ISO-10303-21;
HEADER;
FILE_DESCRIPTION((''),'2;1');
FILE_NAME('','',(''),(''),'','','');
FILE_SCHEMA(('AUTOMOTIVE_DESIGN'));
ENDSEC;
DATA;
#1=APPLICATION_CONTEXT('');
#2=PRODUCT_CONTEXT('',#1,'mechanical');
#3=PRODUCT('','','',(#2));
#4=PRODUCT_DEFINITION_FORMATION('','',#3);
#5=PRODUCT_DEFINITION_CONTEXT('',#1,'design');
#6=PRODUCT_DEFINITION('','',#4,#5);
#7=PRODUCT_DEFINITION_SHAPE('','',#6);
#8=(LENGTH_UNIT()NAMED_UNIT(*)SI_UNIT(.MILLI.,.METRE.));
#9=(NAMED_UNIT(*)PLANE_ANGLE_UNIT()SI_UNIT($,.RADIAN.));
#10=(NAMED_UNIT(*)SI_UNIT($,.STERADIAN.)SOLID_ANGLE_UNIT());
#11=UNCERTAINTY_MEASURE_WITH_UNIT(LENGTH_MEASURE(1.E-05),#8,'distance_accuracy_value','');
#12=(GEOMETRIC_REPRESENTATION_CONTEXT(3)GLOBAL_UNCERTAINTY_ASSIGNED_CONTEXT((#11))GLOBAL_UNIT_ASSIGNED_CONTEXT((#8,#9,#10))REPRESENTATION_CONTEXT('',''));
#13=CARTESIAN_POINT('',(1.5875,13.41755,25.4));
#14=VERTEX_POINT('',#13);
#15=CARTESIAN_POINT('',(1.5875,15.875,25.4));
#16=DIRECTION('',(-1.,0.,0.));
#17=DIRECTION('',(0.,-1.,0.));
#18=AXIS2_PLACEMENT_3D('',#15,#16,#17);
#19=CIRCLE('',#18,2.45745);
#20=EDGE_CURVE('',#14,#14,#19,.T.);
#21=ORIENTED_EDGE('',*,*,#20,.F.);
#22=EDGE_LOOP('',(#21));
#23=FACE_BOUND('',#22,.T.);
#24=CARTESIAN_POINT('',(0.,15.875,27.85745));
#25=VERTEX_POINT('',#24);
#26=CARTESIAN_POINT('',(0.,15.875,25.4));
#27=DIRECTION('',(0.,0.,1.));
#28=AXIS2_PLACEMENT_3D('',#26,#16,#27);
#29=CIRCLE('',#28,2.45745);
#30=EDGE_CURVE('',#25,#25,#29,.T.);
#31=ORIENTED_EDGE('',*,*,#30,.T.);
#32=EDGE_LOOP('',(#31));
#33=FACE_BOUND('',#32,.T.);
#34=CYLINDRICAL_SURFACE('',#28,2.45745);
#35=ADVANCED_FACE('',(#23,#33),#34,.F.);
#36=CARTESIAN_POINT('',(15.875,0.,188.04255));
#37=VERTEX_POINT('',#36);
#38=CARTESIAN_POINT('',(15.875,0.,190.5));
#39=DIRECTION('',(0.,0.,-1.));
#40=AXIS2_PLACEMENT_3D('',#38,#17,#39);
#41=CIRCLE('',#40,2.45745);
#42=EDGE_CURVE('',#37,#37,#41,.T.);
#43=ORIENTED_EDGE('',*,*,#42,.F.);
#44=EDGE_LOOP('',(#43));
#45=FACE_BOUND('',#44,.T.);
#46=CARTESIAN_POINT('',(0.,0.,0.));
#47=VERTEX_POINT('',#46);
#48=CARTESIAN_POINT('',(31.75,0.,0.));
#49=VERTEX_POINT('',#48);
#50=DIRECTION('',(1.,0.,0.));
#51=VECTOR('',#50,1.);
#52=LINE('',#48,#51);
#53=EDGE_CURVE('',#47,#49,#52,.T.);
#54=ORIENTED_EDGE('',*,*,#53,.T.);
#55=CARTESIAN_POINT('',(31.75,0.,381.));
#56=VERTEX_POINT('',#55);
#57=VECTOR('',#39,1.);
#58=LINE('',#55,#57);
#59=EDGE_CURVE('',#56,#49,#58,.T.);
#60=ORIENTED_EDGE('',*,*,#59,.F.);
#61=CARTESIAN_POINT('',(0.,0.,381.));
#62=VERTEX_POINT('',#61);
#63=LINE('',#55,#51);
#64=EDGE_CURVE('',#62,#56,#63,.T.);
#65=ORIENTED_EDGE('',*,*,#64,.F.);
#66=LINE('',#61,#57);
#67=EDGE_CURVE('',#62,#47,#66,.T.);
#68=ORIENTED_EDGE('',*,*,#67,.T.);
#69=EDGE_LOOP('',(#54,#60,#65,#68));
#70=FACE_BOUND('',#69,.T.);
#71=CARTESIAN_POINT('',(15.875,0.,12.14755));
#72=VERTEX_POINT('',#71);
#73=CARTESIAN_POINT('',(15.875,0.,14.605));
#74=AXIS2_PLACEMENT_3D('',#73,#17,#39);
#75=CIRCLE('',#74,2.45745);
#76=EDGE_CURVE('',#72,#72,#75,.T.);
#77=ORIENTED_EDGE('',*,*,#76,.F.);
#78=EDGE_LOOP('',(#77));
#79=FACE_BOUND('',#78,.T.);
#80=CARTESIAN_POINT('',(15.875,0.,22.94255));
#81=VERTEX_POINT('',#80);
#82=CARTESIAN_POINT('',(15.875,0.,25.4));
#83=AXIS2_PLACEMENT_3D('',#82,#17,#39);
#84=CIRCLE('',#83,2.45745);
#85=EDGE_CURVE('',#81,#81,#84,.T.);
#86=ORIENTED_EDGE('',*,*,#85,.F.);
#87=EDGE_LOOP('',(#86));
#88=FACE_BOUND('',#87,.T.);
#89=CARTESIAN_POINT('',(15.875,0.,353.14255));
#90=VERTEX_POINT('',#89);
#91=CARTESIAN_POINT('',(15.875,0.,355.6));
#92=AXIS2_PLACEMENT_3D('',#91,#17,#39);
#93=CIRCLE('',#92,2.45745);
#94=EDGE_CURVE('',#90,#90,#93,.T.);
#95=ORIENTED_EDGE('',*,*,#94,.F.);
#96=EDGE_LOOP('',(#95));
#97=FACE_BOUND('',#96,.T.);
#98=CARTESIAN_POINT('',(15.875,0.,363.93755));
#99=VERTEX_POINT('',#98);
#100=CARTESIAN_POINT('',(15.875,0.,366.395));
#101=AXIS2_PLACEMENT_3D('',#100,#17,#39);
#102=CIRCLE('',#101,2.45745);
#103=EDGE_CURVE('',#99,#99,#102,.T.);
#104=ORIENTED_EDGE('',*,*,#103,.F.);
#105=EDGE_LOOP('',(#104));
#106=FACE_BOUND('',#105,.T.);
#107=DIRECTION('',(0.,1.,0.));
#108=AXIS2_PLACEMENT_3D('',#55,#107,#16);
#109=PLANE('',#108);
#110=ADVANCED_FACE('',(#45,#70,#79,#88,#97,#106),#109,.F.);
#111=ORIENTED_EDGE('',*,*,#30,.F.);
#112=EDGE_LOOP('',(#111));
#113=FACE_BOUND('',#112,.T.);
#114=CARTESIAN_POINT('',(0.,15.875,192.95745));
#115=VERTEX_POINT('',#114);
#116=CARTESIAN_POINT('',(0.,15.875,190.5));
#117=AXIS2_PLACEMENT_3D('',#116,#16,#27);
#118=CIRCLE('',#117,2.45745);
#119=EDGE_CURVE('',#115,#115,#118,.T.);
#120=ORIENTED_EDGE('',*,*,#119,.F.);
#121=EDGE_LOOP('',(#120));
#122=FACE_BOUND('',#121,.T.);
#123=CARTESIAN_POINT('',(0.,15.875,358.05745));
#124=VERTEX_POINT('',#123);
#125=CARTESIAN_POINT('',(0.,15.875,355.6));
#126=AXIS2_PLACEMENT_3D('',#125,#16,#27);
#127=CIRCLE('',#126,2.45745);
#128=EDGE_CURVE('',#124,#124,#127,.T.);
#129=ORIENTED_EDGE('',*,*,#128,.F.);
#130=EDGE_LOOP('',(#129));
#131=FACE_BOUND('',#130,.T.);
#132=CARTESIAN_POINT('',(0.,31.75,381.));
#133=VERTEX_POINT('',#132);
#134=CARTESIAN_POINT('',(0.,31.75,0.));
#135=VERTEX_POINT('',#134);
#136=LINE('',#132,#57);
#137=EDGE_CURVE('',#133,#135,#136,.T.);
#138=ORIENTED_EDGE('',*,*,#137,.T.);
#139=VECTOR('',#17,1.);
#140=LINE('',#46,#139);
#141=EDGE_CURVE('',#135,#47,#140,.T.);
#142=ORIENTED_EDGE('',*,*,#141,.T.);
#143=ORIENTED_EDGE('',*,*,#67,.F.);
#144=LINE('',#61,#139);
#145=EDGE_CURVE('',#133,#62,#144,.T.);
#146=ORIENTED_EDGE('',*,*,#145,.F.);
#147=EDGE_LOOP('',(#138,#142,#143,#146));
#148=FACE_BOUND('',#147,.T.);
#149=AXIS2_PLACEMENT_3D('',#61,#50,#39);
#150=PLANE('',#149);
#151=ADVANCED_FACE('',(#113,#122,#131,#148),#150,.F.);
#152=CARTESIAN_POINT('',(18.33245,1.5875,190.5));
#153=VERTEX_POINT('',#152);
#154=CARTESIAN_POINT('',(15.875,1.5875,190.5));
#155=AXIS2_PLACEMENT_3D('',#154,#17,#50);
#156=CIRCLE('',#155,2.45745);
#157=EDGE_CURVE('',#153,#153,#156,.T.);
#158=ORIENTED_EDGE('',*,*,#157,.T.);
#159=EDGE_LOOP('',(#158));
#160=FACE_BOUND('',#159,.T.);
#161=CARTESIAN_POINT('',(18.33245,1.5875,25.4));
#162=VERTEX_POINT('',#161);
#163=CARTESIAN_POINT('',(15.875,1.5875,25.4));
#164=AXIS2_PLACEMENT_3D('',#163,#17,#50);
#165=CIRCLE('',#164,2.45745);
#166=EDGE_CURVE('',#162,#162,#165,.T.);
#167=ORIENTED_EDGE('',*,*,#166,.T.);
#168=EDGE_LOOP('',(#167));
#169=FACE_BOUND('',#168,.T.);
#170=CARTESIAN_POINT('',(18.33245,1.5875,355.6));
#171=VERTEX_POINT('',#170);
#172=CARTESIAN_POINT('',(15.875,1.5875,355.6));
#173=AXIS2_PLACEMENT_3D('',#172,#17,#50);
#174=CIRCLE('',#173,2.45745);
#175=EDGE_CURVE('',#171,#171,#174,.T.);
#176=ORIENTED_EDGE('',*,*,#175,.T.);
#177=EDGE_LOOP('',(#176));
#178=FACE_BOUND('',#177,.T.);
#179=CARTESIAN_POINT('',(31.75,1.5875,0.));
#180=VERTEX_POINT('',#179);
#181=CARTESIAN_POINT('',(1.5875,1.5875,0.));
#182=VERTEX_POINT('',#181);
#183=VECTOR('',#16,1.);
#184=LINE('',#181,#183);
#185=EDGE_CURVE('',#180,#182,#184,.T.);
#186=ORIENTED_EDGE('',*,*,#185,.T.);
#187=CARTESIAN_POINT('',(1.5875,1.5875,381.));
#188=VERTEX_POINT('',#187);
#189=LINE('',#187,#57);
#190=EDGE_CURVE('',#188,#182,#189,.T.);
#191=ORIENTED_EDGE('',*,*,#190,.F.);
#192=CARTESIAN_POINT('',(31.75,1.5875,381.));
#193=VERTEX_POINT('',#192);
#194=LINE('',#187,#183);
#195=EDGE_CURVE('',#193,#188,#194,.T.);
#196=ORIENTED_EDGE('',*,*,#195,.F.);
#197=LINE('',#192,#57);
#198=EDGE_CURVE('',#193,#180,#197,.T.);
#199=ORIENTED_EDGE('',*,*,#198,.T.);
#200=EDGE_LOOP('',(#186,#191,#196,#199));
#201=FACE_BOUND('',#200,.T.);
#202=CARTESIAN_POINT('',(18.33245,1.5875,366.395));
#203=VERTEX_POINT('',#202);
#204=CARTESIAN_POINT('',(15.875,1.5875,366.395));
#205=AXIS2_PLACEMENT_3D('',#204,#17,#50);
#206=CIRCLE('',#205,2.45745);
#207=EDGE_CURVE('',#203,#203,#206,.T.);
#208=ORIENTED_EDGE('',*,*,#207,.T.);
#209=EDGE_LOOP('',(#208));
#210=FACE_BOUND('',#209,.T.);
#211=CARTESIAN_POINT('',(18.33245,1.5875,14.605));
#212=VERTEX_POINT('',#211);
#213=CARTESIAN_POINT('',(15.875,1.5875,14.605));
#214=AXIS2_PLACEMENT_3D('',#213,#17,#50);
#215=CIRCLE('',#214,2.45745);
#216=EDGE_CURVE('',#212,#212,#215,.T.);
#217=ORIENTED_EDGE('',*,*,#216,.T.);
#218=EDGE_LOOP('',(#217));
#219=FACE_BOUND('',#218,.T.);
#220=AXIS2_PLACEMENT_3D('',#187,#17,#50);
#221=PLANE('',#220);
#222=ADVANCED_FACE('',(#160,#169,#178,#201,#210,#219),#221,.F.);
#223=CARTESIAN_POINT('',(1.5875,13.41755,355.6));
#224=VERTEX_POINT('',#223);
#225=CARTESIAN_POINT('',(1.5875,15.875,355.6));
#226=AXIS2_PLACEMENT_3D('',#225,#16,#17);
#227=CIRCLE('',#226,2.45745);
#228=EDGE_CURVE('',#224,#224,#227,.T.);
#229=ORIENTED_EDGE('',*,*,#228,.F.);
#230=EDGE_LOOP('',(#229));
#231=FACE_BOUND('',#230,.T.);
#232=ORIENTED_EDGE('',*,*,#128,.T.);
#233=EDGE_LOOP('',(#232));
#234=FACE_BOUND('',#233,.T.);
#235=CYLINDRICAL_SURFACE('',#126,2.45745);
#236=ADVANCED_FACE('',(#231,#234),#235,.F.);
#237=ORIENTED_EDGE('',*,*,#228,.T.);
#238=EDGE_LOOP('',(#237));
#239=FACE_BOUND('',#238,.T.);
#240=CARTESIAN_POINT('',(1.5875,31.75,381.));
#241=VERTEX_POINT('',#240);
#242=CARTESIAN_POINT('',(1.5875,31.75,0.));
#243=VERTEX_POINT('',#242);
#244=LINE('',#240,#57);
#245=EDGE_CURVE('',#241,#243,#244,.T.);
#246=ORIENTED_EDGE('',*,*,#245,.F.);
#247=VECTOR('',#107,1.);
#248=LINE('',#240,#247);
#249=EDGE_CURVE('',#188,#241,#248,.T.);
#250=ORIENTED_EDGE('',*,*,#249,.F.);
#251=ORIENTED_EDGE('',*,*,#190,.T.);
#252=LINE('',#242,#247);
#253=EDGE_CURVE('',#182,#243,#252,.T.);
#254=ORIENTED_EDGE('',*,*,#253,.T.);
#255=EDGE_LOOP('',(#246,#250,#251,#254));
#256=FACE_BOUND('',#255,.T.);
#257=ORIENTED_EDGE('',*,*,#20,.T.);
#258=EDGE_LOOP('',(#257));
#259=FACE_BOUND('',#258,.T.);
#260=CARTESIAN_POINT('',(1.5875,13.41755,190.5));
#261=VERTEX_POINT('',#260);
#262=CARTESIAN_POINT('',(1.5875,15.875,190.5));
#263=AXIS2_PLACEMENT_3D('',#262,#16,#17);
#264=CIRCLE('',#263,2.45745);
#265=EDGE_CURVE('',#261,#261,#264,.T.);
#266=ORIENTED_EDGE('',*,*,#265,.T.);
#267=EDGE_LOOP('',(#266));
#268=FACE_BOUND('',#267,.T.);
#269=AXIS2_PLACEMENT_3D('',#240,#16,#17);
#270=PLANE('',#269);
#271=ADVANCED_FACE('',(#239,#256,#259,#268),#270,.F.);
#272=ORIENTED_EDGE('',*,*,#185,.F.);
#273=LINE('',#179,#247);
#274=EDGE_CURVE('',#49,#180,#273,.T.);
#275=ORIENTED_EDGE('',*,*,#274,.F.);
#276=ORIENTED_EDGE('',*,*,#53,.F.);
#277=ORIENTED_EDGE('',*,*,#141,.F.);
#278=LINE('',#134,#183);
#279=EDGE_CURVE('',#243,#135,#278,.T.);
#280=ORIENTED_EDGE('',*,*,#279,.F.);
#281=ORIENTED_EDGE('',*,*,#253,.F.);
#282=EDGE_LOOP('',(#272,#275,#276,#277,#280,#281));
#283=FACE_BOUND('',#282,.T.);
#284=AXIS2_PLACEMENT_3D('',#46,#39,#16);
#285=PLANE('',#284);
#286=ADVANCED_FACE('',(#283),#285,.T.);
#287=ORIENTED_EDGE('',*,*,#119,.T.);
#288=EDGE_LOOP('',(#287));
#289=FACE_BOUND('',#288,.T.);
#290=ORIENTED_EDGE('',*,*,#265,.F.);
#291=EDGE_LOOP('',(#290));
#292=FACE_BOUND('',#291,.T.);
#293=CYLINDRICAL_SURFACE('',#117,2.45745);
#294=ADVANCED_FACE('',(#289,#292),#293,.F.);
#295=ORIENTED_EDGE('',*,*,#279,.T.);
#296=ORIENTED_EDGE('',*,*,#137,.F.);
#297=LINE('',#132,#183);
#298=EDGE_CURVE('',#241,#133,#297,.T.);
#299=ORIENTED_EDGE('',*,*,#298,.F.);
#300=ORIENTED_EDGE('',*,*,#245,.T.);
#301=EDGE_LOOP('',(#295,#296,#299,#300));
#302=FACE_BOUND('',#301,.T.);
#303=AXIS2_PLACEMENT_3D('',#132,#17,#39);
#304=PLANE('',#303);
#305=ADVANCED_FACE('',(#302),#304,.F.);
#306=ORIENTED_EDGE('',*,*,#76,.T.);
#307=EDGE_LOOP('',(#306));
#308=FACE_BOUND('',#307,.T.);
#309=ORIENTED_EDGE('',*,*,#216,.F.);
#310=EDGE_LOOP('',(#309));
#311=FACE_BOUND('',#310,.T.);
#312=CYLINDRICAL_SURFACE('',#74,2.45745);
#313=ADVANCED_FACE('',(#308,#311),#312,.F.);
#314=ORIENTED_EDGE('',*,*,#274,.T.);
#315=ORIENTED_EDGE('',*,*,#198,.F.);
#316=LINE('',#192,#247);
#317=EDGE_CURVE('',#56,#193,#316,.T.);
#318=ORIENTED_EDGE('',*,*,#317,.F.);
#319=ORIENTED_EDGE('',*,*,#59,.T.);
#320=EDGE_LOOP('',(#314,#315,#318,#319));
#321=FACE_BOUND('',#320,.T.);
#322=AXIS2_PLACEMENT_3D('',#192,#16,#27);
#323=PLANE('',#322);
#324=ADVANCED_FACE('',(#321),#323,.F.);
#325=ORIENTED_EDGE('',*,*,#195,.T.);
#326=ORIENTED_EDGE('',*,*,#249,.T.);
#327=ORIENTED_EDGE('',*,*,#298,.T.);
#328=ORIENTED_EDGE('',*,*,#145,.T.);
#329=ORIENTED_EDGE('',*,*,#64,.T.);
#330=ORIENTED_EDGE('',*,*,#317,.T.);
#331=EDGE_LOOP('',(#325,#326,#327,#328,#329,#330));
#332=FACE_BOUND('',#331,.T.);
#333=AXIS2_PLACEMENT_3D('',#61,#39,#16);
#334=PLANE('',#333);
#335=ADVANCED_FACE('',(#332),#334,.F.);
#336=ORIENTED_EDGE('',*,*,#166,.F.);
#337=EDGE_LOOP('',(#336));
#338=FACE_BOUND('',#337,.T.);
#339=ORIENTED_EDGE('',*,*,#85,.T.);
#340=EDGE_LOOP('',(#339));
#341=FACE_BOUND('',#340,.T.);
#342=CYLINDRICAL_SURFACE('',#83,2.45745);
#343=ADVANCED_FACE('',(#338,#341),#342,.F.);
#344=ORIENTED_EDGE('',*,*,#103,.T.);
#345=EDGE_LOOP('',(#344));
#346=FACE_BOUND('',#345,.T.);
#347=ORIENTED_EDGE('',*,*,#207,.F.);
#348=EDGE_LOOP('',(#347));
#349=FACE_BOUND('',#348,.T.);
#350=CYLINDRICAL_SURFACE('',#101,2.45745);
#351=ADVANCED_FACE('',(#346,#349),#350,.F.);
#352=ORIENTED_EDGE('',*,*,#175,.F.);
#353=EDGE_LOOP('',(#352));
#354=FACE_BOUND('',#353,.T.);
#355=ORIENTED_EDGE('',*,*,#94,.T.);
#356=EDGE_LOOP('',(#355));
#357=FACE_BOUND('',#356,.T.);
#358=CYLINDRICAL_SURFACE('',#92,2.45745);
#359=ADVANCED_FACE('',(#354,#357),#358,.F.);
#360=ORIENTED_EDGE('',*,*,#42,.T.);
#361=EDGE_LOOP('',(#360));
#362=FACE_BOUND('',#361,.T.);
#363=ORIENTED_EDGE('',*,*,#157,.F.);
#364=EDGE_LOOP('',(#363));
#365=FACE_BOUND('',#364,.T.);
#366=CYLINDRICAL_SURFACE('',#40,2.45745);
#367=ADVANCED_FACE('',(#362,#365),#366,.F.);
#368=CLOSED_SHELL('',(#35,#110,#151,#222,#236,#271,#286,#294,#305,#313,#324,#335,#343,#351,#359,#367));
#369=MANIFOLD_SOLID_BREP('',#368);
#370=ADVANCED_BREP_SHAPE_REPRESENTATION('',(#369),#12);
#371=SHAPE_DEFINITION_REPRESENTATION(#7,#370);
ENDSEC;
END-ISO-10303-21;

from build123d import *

# Parameters (mm, degrees)
BOSS_EXTRUDE1_DEPTH          = 381
F_10_0_1935_DIAMETER_HOLE2_D = 4.9149
F_10_0_1935_DIAMETER_HOLE4_D = 4.9149


with BuildPart() as part:
    # Sketch2 → Boss-Extrude1 (new body)
    with BuildSketch(Plane.XY):
        Polygon((0, 0), (0, 31.75), (1.5875, 31.75), (1.5875, 1.5875), (31.75, 1.5875), (31.75, 0), align=None)
    extrude(amount=BOSS_EXTRUDE1_DEPTH)

    # #10 (0.1935) Diameter Hole2 (through all)
    with Locations(Plane.ZY):
        with Locations((355.6, 15.875), (25.4, 15.875), (190.5, 15.875)):
            Hole(F_10_0_1935_DIAMETER_HOLE2_D / 2)

    # #10 (0.1935) Diameter Hole4 (through all)
    with Locations(Plane(origin=(0, 0, 0), x_dir=(-1, 0, 0), z_dir=(0, -1, 0))):
        with Locations((-15.875, -366.395), (-15.875, -190.5), (-15.875, -25.4), (-15.875, -355.6), (-15.875, -14.605)):
            Hole(F_10_0_1935_DIAMETER_HOLE4_D / 2)


solid = part.part
